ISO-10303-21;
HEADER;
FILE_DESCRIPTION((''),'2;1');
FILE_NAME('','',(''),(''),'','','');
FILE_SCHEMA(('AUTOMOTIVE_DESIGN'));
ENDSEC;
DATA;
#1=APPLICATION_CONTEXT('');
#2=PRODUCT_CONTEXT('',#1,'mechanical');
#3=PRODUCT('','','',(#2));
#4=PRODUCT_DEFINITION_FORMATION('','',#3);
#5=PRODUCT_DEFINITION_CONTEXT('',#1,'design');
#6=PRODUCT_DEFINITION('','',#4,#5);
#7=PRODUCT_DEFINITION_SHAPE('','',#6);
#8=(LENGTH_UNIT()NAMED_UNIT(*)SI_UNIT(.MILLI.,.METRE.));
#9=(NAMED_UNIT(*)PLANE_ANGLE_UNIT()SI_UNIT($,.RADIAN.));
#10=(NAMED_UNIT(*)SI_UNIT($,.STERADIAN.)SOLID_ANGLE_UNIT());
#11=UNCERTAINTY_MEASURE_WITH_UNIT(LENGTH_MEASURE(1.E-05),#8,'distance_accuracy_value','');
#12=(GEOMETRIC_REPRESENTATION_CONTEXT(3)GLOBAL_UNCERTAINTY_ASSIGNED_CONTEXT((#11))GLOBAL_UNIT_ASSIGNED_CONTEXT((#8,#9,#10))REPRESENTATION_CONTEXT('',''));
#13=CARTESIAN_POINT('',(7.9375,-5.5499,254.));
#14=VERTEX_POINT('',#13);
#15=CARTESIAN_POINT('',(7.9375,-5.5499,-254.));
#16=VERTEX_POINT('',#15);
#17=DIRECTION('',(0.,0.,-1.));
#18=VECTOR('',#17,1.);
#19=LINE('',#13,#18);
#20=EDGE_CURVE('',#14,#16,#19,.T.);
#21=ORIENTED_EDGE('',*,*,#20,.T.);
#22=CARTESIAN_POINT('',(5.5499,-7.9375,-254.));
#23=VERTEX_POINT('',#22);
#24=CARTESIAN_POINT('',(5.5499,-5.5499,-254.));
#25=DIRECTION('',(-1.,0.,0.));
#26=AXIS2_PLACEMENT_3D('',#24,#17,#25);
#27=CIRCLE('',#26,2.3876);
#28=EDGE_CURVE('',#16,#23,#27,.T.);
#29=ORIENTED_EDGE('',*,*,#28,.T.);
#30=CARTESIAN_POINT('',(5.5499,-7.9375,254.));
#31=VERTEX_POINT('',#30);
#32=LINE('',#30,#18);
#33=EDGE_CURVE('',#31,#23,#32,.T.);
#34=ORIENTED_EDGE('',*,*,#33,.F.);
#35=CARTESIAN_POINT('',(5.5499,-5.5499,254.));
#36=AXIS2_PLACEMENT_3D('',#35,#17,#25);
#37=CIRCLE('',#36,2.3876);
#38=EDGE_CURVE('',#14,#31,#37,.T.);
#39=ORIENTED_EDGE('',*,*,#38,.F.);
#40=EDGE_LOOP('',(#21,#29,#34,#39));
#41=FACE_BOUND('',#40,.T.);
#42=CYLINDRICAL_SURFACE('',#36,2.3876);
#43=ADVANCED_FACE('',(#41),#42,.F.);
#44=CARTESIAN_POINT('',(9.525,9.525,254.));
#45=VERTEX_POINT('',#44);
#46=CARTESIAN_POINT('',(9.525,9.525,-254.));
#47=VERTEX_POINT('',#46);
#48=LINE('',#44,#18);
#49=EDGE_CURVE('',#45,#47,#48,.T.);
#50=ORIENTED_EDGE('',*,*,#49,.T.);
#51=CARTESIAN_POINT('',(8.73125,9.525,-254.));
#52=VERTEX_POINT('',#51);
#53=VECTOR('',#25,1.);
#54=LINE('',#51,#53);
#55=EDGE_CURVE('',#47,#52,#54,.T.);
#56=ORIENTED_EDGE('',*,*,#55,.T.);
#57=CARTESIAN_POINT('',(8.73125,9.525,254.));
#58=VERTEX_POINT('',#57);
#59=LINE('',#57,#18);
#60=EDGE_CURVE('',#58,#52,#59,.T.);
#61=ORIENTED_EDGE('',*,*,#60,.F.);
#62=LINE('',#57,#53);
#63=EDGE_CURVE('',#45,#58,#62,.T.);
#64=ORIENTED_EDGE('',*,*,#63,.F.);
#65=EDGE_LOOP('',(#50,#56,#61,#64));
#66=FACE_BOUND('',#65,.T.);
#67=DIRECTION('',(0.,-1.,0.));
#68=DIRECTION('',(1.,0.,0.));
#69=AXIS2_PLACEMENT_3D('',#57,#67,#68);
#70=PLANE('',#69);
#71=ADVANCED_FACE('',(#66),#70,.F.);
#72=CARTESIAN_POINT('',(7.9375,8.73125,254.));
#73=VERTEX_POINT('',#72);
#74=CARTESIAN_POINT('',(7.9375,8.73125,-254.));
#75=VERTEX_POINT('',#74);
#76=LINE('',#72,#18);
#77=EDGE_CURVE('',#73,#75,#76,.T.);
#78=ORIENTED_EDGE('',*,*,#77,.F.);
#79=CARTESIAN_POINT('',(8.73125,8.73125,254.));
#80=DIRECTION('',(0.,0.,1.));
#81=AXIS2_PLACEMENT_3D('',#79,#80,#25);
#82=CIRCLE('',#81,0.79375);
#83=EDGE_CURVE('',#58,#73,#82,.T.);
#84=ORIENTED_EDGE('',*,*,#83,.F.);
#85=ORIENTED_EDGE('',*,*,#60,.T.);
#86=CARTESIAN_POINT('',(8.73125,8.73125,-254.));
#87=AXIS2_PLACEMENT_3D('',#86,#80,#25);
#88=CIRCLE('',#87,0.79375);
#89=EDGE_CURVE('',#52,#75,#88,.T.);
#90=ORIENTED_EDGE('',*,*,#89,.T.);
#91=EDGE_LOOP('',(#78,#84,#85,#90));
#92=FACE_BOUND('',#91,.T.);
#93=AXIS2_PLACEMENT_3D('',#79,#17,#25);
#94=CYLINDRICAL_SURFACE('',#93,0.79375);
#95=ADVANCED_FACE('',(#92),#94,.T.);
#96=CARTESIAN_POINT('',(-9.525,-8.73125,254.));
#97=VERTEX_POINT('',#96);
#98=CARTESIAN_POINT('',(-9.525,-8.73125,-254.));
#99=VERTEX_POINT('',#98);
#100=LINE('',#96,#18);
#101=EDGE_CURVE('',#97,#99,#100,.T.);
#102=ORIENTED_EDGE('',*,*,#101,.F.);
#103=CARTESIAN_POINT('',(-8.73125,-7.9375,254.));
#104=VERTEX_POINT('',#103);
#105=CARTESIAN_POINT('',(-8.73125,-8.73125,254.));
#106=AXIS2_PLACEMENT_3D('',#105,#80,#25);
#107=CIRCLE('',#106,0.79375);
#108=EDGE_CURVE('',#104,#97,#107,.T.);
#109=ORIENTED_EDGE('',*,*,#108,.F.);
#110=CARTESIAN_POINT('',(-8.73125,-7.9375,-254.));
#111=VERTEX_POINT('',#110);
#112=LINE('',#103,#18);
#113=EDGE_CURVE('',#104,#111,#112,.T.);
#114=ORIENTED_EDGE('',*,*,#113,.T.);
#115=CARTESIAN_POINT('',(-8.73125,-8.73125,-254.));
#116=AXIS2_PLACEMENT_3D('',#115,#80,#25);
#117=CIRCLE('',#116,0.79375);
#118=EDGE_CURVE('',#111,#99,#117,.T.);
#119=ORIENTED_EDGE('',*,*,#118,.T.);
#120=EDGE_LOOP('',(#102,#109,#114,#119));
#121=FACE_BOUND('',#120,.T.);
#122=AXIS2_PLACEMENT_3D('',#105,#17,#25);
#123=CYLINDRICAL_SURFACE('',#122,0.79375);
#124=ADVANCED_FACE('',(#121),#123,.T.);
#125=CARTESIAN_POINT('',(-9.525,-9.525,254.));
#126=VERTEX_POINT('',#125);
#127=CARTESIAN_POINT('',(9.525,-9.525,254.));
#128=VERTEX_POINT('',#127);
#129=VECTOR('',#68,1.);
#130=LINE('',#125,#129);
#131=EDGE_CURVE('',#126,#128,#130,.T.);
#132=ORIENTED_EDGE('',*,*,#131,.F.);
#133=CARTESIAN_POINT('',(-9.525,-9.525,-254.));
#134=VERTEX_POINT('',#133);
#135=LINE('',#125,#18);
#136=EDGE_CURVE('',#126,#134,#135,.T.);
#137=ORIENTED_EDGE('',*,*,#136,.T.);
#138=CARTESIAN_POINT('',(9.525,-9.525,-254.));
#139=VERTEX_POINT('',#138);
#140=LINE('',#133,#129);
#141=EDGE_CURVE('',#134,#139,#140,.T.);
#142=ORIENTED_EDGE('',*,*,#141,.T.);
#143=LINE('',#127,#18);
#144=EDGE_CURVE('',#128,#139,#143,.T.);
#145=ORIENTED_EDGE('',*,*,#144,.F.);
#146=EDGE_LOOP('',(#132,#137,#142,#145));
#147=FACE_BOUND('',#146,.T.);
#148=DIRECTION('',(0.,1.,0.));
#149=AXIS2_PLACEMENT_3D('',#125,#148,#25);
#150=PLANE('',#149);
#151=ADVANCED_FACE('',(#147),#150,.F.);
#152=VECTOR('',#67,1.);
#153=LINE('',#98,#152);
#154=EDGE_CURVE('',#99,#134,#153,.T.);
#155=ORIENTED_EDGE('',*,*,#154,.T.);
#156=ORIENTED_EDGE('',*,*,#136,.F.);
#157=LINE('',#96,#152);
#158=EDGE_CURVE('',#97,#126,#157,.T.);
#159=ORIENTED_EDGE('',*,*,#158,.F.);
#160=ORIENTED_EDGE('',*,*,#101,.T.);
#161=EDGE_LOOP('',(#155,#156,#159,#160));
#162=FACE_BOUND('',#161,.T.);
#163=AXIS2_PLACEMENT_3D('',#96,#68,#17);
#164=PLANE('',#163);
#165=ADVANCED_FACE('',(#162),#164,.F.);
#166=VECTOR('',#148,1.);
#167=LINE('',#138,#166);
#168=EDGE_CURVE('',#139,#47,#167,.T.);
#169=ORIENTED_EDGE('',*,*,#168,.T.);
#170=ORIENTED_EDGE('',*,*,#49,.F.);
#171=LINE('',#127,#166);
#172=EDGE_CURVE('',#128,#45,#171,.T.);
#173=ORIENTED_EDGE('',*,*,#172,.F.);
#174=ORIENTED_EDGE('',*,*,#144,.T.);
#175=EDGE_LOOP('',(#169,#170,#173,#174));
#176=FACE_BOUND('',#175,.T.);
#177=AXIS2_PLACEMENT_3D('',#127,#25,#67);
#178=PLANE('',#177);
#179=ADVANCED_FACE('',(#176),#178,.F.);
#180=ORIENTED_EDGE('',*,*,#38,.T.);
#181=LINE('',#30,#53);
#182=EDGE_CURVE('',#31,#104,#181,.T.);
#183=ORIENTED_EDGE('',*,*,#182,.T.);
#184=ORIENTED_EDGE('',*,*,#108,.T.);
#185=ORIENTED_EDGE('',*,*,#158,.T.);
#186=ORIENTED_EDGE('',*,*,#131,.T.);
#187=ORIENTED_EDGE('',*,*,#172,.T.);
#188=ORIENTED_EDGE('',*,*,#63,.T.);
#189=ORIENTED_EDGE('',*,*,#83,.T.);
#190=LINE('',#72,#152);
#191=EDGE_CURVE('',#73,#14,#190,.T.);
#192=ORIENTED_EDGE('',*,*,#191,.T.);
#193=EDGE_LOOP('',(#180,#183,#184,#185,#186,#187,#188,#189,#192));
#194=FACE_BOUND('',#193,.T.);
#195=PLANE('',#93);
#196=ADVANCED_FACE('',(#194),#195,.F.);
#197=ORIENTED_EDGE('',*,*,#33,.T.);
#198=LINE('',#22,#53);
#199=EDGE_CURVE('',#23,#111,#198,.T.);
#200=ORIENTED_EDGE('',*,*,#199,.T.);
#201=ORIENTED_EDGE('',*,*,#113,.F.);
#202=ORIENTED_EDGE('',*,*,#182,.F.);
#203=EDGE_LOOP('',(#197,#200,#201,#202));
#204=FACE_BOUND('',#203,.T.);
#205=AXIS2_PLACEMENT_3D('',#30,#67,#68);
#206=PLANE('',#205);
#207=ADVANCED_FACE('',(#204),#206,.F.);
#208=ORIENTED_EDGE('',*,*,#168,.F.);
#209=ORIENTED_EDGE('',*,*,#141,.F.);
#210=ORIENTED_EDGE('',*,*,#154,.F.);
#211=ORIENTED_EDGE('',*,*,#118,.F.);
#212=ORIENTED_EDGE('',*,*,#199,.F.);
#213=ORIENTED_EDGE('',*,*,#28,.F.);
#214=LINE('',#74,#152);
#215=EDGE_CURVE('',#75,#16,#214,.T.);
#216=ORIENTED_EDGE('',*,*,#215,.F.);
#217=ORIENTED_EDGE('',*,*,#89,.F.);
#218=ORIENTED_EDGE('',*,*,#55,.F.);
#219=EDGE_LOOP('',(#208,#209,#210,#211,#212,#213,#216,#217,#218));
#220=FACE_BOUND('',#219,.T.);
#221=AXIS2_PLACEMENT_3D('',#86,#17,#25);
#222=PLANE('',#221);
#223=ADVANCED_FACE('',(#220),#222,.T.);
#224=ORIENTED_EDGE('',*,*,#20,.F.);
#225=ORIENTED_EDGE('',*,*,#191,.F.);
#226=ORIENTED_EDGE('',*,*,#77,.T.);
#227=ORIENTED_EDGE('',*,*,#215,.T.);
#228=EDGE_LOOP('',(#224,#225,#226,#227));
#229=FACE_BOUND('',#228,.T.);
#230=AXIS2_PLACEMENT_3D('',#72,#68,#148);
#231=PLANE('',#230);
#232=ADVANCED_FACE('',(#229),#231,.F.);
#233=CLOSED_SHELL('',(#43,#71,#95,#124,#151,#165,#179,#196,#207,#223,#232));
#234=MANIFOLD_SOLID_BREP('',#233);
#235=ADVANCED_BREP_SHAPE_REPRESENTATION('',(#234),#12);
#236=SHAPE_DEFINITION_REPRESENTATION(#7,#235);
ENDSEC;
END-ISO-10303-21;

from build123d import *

# Parameters (mm, degrees)
BOSS_EXTRUDE1_DEPTH = 254


with BuildPart() as part:
    # Sketch2 → Boss-Extrude1 (new, symmetric)
    with BuildSketch(Plane.XY):
        with BuildLine():
            Line((-9.525, -9.525), (9.525, -9.525))
            Line((9.525, -9.525), (9.525, 9.525))
            Line((9.525, 9.525), (8.73125, 9.525))
            ThreePointArc((8.73125, 9.525), (8.169983992, 9.292516008), (7.9375, 8.73125))
            Line((7.9375, 8.73125), (7.9375, -5.5499))
            ThreePointArc((7.9375, -5.5499), (7.238188151, -7.238188151), (5.5499, -7.9375))
            Line((5.5499, -7.9375), (-8.73125, -7.9375))
            ThreePointArc((-8.73125, -7.9375), (-9.292516008, -8.169983992), (-9.525, -8.73125))
            Line((-9.525, -8.73125), (-9.525, -9.525))
        make_face()
    extrude(amount=BOSS_EXTRUDE1_DEPTH, both=True)


solid = part.part
